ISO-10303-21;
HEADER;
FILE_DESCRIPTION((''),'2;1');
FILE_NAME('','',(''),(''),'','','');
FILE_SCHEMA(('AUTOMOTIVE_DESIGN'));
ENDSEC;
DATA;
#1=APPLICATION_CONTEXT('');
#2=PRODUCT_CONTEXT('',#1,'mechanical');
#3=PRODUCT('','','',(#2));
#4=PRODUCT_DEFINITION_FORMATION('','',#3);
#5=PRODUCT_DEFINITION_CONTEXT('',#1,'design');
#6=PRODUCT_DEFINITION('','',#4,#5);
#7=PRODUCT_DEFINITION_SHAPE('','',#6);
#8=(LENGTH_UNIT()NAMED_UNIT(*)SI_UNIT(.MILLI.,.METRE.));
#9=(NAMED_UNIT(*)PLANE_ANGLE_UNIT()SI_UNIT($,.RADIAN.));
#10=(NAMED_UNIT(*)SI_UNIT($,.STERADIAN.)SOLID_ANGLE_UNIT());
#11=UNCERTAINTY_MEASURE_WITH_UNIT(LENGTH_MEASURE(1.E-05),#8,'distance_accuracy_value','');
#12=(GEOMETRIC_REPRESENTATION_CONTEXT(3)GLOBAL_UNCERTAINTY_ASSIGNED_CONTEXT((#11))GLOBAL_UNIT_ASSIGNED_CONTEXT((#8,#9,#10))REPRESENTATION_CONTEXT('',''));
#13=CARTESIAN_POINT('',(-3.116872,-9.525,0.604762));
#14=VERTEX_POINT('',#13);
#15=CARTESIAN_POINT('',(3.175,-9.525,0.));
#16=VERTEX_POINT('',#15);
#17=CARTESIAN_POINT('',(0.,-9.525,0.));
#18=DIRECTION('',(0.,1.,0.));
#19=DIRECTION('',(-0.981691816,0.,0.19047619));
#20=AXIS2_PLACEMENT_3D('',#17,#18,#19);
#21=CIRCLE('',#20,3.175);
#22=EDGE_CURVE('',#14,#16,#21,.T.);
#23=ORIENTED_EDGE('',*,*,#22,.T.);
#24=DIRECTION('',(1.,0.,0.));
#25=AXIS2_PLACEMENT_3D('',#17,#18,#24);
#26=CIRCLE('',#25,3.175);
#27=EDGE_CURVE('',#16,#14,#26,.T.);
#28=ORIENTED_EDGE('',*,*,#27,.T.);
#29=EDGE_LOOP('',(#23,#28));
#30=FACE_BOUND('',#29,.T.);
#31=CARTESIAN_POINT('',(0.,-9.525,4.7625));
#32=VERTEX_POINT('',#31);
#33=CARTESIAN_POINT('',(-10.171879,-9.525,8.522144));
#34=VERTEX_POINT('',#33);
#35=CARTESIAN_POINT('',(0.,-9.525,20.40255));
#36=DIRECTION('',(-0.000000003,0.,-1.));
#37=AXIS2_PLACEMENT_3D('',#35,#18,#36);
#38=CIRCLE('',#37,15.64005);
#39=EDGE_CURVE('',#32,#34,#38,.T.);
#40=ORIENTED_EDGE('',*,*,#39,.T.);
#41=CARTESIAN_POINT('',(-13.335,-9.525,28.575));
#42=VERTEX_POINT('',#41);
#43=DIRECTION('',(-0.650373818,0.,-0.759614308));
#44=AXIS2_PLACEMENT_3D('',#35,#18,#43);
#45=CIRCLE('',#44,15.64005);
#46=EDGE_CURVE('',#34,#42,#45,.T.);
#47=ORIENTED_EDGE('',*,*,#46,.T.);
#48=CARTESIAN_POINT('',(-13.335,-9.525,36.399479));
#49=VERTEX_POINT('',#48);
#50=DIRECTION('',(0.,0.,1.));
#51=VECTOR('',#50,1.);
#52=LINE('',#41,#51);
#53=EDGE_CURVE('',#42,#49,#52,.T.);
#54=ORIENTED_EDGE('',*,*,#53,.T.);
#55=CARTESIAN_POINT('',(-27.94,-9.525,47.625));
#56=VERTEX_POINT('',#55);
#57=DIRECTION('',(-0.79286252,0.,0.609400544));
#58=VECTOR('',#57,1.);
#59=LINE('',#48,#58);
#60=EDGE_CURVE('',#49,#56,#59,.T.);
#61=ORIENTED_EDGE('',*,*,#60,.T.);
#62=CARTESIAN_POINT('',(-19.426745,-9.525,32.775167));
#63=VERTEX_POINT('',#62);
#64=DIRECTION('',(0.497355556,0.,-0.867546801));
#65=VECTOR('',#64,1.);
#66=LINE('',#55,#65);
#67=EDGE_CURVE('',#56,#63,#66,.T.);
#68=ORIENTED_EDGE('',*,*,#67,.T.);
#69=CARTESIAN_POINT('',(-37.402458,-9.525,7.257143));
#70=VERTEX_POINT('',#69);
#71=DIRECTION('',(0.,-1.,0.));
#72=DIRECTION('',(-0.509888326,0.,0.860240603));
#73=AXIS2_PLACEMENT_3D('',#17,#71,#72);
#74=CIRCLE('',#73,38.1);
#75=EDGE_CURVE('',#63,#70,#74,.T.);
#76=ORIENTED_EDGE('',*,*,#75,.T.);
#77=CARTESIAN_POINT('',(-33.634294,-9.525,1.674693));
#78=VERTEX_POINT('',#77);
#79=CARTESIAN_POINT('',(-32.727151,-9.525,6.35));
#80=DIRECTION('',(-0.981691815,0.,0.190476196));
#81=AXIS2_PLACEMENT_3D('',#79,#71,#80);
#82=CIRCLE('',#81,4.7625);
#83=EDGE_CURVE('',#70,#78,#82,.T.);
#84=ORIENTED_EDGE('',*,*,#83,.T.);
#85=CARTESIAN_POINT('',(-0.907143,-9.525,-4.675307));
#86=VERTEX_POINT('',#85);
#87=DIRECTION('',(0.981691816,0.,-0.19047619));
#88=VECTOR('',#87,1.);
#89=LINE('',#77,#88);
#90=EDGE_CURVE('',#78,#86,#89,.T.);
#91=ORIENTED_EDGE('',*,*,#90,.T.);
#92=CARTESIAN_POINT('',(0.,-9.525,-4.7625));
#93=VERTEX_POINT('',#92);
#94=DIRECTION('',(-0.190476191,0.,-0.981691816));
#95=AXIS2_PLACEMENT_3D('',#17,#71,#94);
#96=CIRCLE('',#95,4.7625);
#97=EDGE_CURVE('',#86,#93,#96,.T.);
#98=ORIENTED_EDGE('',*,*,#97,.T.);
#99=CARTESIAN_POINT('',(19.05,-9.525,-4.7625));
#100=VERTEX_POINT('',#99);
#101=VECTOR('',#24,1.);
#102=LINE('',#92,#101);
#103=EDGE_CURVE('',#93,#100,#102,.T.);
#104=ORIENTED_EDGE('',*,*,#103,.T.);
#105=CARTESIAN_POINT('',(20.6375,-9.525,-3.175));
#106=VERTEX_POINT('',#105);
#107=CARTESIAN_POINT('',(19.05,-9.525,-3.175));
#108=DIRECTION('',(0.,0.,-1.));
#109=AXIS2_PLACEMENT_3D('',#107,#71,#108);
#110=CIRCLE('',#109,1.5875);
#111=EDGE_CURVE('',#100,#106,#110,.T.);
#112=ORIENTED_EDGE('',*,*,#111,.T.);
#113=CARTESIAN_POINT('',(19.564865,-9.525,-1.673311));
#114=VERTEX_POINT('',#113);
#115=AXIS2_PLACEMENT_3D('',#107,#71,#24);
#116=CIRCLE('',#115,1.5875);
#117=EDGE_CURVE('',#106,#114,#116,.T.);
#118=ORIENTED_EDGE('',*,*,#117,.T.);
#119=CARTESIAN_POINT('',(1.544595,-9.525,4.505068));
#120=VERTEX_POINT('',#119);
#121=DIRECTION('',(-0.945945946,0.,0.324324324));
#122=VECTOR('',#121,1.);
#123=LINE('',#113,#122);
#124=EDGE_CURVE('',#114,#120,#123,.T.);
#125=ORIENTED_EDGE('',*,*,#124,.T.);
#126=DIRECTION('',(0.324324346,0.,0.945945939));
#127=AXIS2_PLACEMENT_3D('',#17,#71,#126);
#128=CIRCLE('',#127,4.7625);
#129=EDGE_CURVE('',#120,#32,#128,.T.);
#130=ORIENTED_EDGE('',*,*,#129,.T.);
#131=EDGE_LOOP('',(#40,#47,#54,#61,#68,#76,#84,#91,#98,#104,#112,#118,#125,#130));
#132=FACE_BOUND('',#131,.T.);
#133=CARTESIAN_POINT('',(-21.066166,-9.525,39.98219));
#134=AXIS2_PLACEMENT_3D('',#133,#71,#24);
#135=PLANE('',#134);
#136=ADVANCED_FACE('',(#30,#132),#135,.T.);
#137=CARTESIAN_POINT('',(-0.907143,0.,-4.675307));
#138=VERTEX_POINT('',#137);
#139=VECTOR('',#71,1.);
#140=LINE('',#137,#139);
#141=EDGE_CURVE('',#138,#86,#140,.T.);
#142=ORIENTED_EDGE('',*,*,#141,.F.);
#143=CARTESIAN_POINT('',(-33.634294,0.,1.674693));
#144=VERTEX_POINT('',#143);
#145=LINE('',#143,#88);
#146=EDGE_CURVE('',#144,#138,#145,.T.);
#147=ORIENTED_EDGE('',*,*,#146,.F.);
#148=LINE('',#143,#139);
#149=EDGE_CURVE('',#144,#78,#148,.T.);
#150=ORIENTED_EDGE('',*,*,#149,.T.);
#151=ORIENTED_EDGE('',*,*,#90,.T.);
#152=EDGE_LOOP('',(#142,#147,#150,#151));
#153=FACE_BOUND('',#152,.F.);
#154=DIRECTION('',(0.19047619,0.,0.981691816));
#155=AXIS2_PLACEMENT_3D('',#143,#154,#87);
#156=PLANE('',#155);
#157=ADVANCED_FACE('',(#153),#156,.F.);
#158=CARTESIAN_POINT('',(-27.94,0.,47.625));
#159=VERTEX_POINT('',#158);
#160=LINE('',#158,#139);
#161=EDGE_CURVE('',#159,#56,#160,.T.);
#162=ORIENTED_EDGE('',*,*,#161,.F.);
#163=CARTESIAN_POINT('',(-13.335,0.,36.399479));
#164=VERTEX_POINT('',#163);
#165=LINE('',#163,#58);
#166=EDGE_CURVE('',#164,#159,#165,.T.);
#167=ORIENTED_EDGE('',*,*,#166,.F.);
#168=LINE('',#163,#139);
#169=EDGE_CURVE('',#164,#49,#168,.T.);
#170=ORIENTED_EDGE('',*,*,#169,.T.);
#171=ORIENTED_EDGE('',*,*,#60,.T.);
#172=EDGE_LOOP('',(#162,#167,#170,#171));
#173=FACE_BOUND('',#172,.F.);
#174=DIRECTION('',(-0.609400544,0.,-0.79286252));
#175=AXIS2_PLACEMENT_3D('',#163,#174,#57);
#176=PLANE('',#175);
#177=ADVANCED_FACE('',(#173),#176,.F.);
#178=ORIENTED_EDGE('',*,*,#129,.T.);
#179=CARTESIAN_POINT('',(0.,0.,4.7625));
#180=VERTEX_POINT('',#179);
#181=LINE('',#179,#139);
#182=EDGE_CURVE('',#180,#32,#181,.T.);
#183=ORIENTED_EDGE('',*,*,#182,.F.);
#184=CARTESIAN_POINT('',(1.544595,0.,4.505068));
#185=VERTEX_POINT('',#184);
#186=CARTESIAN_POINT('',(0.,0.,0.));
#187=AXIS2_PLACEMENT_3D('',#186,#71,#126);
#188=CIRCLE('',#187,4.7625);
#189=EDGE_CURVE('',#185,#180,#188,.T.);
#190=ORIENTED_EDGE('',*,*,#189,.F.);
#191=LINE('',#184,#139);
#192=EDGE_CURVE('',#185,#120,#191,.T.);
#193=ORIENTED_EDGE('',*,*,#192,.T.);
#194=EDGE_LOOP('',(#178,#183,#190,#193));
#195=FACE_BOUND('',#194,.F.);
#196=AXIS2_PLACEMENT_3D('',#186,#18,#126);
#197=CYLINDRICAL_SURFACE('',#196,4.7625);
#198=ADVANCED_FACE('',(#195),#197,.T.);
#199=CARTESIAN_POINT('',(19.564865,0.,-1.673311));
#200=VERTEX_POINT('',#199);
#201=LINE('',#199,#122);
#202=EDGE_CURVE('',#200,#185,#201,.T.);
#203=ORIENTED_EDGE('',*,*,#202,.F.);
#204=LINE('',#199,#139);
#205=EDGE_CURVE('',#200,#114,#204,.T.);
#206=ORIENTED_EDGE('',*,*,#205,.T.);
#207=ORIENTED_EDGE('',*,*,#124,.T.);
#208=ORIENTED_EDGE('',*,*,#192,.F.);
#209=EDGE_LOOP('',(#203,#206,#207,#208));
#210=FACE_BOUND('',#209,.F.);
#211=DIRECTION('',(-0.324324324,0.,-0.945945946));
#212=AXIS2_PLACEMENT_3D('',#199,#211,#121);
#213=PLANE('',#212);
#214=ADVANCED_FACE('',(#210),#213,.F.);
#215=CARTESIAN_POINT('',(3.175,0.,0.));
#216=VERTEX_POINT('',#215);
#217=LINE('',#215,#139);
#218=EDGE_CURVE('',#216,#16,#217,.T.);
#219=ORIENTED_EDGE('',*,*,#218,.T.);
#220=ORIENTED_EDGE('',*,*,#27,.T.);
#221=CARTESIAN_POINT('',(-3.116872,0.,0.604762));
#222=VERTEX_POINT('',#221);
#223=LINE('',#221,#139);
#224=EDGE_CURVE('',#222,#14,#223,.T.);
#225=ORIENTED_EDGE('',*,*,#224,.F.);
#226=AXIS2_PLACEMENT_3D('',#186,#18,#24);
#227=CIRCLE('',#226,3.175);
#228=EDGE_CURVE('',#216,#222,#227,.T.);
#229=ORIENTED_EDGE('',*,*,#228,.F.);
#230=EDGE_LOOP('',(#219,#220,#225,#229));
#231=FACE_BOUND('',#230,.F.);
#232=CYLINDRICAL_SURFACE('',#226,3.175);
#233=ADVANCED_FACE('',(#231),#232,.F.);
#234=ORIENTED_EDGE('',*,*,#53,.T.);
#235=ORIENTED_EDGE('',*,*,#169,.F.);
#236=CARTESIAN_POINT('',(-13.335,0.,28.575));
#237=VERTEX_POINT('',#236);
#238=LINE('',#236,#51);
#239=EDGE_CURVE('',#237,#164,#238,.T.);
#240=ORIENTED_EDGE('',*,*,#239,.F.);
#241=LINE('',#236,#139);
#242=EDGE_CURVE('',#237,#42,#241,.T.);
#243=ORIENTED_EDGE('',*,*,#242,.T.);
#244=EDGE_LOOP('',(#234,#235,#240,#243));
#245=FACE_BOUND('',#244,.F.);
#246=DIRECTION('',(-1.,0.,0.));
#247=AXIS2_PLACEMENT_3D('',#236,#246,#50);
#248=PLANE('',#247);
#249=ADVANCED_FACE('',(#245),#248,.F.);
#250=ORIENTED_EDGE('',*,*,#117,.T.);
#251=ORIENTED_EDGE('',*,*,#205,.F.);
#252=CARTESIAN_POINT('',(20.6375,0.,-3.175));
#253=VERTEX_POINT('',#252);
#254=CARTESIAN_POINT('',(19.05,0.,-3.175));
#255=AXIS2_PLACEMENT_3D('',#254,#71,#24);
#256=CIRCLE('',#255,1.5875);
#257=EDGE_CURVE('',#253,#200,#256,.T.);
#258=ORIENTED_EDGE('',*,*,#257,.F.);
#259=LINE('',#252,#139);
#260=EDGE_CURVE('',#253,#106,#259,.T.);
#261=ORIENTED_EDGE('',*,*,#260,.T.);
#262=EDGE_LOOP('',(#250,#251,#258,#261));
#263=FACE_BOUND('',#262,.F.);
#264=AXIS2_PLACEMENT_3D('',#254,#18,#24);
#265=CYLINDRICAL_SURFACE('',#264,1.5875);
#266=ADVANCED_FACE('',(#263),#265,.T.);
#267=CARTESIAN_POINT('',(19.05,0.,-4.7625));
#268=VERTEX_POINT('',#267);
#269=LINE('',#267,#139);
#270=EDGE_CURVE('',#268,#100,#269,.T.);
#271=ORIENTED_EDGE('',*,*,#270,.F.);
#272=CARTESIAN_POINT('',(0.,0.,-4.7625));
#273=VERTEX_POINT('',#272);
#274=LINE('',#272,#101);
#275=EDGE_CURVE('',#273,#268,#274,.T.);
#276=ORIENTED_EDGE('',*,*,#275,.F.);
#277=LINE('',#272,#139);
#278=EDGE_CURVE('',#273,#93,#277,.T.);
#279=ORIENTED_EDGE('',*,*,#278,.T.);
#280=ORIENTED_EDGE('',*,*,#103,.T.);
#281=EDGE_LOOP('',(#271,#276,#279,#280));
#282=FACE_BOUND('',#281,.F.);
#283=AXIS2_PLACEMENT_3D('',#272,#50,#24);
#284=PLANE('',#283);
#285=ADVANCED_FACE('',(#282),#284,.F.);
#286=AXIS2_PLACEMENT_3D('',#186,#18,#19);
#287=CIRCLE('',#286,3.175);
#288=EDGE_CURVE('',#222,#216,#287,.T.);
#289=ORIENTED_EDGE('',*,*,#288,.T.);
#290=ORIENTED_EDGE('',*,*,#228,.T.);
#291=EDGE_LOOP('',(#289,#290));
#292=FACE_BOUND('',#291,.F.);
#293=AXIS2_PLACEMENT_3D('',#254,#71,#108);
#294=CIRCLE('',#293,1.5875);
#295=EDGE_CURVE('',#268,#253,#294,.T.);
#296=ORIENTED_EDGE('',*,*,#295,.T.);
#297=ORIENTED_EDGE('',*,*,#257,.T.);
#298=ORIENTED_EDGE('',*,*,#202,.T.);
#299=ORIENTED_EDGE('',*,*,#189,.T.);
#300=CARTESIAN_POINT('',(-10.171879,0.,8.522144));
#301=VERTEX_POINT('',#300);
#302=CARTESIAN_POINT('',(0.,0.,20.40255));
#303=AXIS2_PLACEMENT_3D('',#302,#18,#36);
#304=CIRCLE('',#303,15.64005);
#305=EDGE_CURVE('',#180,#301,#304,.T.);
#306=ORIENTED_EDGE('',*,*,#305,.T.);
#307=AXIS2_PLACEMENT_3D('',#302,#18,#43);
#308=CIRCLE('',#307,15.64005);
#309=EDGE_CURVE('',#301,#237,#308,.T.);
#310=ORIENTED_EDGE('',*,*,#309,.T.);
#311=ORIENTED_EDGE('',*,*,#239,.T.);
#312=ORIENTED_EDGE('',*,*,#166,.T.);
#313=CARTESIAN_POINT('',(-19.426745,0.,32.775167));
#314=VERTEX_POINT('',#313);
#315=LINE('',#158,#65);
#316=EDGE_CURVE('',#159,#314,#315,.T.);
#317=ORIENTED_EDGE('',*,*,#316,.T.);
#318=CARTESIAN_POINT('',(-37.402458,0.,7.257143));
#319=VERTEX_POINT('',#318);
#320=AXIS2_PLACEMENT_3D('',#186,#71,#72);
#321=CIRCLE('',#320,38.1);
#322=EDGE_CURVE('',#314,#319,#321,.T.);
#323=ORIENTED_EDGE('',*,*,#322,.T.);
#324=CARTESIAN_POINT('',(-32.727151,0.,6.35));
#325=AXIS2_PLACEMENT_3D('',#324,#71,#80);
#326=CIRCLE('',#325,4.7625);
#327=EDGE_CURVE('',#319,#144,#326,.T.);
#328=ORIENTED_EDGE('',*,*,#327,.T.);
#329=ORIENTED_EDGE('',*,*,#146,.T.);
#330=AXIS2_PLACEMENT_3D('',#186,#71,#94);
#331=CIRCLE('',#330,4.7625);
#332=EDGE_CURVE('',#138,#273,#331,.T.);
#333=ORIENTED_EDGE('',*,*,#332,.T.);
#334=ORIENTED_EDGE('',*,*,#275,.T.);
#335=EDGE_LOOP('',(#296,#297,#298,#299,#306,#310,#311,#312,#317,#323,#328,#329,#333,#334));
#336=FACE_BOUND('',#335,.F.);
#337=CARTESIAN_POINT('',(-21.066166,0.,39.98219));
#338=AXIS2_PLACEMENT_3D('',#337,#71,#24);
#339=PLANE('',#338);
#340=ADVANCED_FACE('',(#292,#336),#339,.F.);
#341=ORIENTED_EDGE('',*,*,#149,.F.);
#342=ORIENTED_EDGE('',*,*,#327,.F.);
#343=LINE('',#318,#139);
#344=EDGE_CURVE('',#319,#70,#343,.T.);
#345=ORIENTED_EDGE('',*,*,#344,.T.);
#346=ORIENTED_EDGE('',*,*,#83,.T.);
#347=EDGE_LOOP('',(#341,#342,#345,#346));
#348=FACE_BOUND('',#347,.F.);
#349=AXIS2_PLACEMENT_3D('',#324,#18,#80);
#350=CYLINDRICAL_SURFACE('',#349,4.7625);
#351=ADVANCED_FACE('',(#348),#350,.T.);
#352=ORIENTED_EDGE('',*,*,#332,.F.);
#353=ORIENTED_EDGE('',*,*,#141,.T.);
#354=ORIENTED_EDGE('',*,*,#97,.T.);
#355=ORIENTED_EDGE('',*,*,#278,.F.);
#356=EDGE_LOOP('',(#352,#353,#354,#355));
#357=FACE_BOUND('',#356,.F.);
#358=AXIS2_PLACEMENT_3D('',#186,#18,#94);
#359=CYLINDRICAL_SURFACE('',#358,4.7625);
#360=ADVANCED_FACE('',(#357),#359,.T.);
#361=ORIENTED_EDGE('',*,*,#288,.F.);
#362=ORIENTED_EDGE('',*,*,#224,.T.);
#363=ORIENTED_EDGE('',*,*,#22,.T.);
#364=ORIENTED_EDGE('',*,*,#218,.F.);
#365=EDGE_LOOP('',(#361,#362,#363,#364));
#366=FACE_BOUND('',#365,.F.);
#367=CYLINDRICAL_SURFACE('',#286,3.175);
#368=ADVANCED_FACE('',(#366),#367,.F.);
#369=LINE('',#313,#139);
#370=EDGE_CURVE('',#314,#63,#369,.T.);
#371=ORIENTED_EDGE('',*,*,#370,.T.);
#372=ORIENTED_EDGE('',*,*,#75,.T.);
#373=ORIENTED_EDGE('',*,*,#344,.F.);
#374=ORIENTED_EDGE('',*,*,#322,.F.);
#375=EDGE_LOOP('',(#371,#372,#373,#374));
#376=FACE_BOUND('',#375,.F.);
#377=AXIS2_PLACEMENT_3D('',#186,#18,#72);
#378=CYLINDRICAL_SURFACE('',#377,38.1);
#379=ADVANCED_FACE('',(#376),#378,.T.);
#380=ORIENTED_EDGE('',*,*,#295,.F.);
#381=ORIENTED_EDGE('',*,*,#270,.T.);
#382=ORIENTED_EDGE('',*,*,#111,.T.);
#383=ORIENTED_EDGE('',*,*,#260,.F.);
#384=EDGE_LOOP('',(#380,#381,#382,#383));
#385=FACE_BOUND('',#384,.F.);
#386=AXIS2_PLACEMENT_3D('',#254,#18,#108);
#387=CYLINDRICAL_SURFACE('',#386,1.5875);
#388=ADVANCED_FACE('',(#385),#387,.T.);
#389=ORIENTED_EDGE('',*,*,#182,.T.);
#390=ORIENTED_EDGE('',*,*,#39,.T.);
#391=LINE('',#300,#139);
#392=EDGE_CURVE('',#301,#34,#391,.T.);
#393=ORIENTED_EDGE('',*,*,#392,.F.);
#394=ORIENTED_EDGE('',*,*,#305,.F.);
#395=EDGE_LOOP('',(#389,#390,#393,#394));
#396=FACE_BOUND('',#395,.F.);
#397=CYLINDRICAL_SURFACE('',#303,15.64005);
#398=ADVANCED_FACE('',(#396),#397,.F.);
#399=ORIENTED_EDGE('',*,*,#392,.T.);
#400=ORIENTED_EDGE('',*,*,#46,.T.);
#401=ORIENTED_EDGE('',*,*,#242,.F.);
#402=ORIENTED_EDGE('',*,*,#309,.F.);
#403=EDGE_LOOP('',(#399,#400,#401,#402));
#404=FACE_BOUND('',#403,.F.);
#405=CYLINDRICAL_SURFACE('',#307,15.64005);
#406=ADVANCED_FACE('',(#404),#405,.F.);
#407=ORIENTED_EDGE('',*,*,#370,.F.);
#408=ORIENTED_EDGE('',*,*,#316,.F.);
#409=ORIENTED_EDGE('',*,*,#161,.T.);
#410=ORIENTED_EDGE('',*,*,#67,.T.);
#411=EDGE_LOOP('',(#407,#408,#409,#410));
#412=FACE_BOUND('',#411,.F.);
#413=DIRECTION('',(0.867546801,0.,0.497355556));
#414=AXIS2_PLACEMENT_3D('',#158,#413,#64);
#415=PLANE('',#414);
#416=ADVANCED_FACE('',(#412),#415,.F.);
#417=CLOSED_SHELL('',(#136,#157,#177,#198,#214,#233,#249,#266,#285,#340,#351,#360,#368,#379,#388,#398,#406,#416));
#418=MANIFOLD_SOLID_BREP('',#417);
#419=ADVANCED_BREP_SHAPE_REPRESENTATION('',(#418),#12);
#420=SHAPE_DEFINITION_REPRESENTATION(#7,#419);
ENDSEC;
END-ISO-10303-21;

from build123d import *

# Parameters (mm, degrees)
F1_DEPTH = 9.525


with BuildPart() as f1:
    # F0 (on Front) → F1 (new body)
    with BuildSketch(Plane.XZ):
        with BuildLine():
            ThreePointArc((-19.4267452123, 32.7751669783), (-16.4455856876, 34.3679023421), (-13.335, 35.6901635608))
            Line((-13.335, 35.6901635608), (-13.335, 36.3994789012))
            Line((-13.335, 36.3994789012), (-27.94, 47.625))
            Line((-27.94, 47.625), (-19.4267452123, 32.7751669783))
        make_face()
        with BuildLine():
            ThreePointArc((-27.9646509033, 6.35), (-32.2714890818, 11.0906517014), (-37.4024581703, 7.2571428827))
            Line((-37.4024581752, 7.2571428571), (-28.0518436314, 5.4428571429))
            ThreePointArc((-28.0518436314, 5.4428571429), (-27.9864992006, 5.8943381914), (-27.9646509033, 6.35))
        make_face()
        with BuildLine():
            Line((-28.0518436314, 5.4428571429), (-37.4024581752, 7.2571428571))
            ThreePointArc((-37.4024581703, 7.2571428827), (-36.6745392643, 3.6855054179), (-33.6342938017, 1.6746927361))
            ThreePointArc((-33.6342938017, 1.6746927361), (-30.0626563104, 2.4026116464), (-28.0518436314, 5.4428571429))
        make_face()
        with BuildLine():
            Line((-13.335, 28.575), (-13.335, 35.6901635608))
            ThreePointArc((-13.335, 35.6901635608), (-16.4455856876, 34.3679023421), (-19.4267452123, 32.7751669783))
            ThreePointArc((-19.4267452123, 32.7751669783), (-31.1477443439, 21.9414680979), (-37.4024581703, 7.2571428827))
            ThreePointArc((-37.4024581703, 7.2571428827), (-32.2714890818, 11.0906517014), (-27.9646509033, 6.35))
            ThreePointArc((-27.9646509033, 6.35), (-27.9864992006, 5.8943381914), (-28.0518436314, 5.4428571429))
            Line((-28.0518436314, 5.4428571429), (-4.6753072719, 0.9071428571))
            ThreePointArc((-4.6753072719, 0.9071428571), (-3.0299454298, 3.6743485059), (-4.75e-08, 4.7625))
            ThreePointArc((-4.75e-08, 4.7625), (-5.4222239137, 5.7324902921), (-10.1718790261, 8.5221442375))
            ThreePointArc((-10.1718790261, 8.5221442375), (-15.4490322171, 17.9656323654), (-13.335, 28.575))
        make_face()
        with BuildLine():
            Line((-4.6753072719, 0.9071428571), (-28.0518436314, 5.4428571429))
            ThreePointArc((-28.0518436314, 5.4428571429), (-30.0626563104, 2.4026116464), (-33.6342938017, 1.6746927361))
            Line((-33.6342938017, 1.6746927361), (-0.9071428571, -4.6753072719))
            ThreePointArc((-0.9071428571, -4.6753072719), (-3.9473883419, -2.6644946103), (-4.6753072719, 0.9071428571))
        make_face()
        with BuildLine():
            ThreePointArc((-0.9071428571, -4.6753072719), (-0.4556617994, -4.7406517036), (1.84e-08, -4.7625))
            ThreePointArc((1.84e-08, -4.7625), (3.3675960519, -3.3675960389), (4.7625, 0))
            ThreePointArc((4.7625, 0), (3.8754056881, 2.7681468535), (1.544594697, 4.5050675324))
            ThreePointArc((1.544594697, 4.5050675324), (0.782950207, 4.6977010573), (-4.75e-08, 4.7625))
            ThreePointArc((-4.75e-08, 4.7625), (-3.0299454298, 3.6743485059), (-4.6753072719, 0.9071428571))
            ThreePointArc((-4.6753072719, 0.9071428571), (-3.9473883419, -2.6644946103), (-0.9071428571, -4.6753072719))
        make_face()
        with BuildLine():
            ThreePointArc((3.175, 0), (-0.303774539, -3.1604344685), (-3.1168715146, 0.6047619048))
            ThreePointArc((-3.1168715146, 0.6047619048), (0.303774539, 3.1604344685), (3.175, 0))
        make_face(mode=Mode.SUBTRACT)
        with BuildLine():
            Line((1.84e-08, -4.7625), (19.05, -4.7625))
            ThreePointArc((19.05, -4.7625), (17.4840996489, -2.9140165896), (19.5648648994, -1.6733108227))
            Line((19.5648648994, -1.6733108227), (1.544594697, 4.5050675324))
            ThreePointArc((1.544594697, 4.5050675324), (3.8754056881, 2.7681468535), (4.7625, 0))
            ThreePointArc((4.7625, 0), (3.3675960519, -3.3675960389), (1.84e-08, -4.7625))
        make_face()
        with BuildLine():
            ThreePointArc((19.5648648994, -1.6733108227), (17.4840996489, -2.9140165896), (19.05, -4.7625))
            ThreePointArc((19.05, -4.7625), (20.1725320151, -4.2975320151), (20.6375, -3.175))
            ThreePointArc((20.6375, -3.175), (20.3418018962, -2.2522843823), (19.5648648994, -1.6733108227))
        make_face()
    extrude(amount=F1_DEPTH)


solid = f1.part
